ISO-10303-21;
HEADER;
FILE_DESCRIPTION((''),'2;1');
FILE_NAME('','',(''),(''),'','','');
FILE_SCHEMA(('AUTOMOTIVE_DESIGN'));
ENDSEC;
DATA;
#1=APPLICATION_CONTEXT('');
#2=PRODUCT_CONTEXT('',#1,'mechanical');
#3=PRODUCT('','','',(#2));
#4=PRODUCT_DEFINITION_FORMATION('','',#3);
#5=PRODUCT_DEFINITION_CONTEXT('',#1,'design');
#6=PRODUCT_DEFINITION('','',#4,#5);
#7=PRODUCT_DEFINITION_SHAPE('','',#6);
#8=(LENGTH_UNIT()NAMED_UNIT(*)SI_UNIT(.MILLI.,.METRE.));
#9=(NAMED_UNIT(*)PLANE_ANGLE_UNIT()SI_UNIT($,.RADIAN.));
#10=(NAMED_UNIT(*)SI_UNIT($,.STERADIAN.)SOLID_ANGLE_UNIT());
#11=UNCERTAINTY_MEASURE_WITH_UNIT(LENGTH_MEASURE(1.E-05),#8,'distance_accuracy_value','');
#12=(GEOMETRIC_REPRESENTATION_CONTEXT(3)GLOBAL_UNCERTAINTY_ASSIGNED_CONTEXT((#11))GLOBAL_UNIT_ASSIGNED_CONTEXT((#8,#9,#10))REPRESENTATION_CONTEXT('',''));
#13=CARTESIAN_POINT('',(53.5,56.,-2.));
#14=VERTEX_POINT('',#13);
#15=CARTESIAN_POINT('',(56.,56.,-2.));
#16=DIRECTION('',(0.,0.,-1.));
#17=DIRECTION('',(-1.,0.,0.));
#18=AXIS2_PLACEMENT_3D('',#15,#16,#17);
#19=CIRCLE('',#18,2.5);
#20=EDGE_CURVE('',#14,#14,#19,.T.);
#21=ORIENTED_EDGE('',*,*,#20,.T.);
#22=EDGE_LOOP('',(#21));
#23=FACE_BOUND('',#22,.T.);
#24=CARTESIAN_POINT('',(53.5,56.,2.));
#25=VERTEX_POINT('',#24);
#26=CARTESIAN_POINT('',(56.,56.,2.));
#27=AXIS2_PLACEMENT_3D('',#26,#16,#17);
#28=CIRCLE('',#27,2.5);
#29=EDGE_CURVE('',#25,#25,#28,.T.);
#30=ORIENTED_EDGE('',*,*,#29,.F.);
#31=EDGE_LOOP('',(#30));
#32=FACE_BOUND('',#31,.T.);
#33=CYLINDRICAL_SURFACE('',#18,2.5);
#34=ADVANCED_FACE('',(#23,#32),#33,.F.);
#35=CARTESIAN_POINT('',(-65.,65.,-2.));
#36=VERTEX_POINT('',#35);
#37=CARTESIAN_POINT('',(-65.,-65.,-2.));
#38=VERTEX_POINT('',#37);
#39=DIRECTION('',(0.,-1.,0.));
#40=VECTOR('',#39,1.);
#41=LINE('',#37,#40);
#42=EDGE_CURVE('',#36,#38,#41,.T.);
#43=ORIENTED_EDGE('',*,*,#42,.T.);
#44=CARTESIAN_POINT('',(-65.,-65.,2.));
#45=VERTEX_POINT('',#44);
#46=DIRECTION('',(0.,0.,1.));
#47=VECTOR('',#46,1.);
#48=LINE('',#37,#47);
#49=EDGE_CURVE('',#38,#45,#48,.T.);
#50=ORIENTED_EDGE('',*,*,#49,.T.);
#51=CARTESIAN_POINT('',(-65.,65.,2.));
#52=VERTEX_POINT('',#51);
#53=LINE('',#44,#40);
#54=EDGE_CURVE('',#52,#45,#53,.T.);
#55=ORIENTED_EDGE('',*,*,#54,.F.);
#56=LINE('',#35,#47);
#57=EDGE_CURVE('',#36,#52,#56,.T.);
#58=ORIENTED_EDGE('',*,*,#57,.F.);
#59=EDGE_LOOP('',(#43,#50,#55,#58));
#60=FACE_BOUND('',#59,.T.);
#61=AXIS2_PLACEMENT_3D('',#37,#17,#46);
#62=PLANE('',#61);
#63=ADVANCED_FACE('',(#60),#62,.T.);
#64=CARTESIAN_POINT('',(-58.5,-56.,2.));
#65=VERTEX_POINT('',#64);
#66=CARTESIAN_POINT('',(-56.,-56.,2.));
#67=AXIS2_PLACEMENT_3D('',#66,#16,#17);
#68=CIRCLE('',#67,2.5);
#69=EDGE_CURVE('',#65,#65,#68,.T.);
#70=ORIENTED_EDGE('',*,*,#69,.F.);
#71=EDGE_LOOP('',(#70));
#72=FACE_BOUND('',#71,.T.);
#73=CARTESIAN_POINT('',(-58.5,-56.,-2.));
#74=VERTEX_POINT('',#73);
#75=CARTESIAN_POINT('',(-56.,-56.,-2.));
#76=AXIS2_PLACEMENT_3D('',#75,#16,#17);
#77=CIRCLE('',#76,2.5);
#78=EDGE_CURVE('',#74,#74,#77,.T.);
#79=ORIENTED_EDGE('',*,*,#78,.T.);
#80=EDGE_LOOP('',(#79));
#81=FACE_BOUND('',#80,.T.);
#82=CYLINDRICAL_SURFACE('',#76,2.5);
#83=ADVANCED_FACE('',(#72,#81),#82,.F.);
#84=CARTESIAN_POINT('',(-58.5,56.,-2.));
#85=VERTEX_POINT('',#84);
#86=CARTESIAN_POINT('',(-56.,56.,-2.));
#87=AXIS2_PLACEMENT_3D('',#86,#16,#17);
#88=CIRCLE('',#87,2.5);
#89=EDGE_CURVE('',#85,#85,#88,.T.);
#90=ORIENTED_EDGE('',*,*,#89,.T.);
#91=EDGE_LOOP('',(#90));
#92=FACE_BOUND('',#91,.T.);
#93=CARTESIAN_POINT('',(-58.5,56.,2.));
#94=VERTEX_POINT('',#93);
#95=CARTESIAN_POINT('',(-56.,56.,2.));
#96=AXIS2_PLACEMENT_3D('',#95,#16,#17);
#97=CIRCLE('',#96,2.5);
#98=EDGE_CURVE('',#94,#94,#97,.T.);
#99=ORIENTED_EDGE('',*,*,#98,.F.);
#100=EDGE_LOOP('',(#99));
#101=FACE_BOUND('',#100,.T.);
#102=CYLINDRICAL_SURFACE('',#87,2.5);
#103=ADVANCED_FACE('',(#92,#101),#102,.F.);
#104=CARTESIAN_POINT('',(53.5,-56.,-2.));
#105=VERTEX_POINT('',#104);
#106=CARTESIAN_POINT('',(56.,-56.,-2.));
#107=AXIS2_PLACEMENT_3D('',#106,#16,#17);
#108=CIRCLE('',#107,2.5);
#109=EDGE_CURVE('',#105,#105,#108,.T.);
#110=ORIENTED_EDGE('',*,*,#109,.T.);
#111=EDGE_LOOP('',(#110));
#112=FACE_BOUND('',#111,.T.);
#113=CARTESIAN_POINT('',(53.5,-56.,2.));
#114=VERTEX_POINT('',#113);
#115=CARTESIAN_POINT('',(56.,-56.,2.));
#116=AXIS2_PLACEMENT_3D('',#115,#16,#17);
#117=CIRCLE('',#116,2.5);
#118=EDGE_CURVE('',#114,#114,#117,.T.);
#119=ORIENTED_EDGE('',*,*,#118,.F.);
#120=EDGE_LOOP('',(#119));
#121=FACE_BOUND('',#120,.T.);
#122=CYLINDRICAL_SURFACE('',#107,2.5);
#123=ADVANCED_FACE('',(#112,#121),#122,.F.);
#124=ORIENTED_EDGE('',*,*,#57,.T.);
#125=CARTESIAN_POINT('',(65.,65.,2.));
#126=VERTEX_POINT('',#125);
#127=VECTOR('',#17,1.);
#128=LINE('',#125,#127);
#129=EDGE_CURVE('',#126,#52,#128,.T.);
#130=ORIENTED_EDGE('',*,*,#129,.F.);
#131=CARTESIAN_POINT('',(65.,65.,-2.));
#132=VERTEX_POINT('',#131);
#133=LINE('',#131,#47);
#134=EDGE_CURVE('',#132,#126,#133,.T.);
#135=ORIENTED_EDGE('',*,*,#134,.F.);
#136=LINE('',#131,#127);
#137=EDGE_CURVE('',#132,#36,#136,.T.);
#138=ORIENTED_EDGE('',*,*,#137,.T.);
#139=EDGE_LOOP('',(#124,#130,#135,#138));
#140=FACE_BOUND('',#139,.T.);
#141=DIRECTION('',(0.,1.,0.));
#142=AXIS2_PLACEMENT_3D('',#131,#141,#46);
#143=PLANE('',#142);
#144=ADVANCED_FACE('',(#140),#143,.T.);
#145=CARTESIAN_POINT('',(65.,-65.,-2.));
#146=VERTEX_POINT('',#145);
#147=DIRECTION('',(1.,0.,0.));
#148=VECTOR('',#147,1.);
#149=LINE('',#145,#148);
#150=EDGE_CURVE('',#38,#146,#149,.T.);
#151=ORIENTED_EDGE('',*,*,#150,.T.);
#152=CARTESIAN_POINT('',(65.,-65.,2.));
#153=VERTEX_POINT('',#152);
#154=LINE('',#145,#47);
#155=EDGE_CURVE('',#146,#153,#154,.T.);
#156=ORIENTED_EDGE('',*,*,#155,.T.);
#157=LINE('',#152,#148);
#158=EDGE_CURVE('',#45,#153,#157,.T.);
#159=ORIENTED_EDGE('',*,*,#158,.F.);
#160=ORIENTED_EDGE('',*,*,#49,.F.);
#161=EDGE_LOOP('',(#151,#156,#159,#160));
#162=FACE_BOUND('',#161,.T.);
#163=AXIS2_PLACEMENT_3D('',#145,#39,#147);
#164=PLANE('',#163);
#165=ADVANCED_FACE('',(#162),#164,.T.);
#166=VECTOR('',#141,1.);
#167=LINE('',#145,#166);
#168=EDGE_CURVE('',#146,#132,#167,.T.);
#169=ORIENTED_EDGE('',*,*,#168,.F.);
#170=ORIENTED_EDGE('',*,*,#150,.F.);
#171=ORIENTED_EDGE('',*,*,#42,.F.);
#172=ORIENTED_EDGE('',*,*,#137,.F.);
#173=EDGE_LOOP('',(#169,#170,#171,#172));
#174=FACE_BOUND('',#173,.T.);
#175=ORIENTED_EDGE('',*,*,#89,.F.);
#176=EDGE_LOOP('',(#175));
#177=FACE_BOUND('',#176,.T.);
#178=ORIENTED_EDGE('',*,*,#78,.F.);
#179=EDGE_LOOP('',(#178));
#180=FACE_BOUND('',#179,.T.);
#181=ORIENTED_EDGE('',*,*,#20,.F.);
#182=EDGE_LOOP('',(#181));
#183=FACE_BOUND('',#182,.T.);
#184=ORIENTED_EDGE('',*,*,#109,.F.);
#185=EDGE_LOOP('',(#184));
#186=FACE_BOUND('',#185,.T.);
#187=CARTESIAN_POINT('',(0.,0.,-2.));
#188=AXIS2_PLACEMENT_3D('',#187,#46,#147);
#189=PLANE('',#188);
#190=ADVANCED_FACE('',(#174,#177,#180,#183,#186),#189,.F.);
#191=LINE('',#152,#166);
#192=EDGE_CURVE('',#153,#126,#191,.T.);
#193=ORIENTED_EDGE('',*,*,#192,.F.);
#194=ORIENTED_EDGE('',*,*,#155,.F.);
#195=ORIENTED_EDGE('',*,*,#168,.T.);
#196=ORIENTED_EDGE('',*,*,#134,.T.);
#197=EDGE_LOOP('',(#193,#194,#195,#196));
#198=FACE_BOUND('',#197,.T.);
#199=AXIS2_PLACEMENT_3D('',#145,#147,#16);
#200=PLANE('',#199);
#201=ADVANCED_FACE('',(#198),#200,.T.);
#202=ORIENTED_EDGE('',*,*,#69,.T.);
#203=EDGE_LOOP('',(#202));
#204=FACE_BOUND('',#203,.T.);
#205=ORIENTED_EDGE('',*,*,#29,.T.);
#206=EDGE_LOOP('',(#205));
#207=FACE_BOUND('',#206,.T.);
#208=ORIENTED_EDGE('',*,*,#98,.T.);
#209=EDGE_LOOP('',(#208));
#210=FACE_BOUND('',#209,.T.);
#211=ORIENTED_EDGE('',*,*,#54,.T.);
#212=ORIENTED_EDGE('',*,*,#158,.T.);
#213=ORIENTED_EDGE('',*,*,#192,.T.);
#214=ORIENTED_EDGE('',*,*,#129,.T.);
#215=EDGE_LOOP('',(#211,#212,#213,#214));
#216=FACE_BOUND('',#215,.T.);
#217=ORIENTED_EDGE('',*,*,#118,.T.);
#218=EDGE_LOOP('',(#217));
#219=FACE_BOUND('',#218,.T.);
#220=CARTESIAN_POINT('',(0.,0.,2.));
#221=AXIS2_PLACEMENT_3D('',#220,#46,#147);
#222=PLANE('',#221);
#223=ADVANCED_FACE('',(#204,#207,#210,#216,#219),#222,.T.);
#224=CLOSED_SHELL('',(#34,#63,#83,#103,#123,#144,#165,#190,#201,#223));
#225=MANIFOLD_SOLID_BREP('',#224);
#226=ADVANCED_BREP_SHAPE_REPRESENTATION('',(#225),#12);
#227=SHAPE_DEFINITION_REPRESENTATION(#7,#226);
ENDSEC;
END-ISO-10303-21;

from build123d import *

# Parameters (mm, degrees)
BOSS_EXTRUDE1_DEPTH         = 2
BOSS_EXTRUDE1_DEPTH_BACK    = 2
SKETCH1_W                   = 130
SKETCH1_H                   = 130
TAP_DRILL_FOR_M5X0_8_TAP1_D = 5


with BuildPart() as part:
    # Sketch1 → Boss-Extrude1 (new, two sides: drawn at the far end of the back side and taken through both)
    with BuildSketch(Plane.XY.offset(-BOSS_EXTRUDE1_DEPTH_BACK)):
        Rectangle(SKETCH1_W, SKETCH1_H)
    extrude(amount=BOSS_EXTRUDE1_DEPTH + BOSS_EXTRUDE1_DEPTH_BACK)

    # Tap Drill for M5x0.8 Tap1 (through all)
    with Locations(Plane(origin=(0, 0, -2), x_dir=(-1, 0, 0), z_dir=(0, 0, -1))):
        with Locations((-56, 56), (56, 56), (56, -56), (-56, -56)):
            Hole(TAP_DRILL_FOR_M5X0_8_TAP1_D / 2)


solid = part.part
